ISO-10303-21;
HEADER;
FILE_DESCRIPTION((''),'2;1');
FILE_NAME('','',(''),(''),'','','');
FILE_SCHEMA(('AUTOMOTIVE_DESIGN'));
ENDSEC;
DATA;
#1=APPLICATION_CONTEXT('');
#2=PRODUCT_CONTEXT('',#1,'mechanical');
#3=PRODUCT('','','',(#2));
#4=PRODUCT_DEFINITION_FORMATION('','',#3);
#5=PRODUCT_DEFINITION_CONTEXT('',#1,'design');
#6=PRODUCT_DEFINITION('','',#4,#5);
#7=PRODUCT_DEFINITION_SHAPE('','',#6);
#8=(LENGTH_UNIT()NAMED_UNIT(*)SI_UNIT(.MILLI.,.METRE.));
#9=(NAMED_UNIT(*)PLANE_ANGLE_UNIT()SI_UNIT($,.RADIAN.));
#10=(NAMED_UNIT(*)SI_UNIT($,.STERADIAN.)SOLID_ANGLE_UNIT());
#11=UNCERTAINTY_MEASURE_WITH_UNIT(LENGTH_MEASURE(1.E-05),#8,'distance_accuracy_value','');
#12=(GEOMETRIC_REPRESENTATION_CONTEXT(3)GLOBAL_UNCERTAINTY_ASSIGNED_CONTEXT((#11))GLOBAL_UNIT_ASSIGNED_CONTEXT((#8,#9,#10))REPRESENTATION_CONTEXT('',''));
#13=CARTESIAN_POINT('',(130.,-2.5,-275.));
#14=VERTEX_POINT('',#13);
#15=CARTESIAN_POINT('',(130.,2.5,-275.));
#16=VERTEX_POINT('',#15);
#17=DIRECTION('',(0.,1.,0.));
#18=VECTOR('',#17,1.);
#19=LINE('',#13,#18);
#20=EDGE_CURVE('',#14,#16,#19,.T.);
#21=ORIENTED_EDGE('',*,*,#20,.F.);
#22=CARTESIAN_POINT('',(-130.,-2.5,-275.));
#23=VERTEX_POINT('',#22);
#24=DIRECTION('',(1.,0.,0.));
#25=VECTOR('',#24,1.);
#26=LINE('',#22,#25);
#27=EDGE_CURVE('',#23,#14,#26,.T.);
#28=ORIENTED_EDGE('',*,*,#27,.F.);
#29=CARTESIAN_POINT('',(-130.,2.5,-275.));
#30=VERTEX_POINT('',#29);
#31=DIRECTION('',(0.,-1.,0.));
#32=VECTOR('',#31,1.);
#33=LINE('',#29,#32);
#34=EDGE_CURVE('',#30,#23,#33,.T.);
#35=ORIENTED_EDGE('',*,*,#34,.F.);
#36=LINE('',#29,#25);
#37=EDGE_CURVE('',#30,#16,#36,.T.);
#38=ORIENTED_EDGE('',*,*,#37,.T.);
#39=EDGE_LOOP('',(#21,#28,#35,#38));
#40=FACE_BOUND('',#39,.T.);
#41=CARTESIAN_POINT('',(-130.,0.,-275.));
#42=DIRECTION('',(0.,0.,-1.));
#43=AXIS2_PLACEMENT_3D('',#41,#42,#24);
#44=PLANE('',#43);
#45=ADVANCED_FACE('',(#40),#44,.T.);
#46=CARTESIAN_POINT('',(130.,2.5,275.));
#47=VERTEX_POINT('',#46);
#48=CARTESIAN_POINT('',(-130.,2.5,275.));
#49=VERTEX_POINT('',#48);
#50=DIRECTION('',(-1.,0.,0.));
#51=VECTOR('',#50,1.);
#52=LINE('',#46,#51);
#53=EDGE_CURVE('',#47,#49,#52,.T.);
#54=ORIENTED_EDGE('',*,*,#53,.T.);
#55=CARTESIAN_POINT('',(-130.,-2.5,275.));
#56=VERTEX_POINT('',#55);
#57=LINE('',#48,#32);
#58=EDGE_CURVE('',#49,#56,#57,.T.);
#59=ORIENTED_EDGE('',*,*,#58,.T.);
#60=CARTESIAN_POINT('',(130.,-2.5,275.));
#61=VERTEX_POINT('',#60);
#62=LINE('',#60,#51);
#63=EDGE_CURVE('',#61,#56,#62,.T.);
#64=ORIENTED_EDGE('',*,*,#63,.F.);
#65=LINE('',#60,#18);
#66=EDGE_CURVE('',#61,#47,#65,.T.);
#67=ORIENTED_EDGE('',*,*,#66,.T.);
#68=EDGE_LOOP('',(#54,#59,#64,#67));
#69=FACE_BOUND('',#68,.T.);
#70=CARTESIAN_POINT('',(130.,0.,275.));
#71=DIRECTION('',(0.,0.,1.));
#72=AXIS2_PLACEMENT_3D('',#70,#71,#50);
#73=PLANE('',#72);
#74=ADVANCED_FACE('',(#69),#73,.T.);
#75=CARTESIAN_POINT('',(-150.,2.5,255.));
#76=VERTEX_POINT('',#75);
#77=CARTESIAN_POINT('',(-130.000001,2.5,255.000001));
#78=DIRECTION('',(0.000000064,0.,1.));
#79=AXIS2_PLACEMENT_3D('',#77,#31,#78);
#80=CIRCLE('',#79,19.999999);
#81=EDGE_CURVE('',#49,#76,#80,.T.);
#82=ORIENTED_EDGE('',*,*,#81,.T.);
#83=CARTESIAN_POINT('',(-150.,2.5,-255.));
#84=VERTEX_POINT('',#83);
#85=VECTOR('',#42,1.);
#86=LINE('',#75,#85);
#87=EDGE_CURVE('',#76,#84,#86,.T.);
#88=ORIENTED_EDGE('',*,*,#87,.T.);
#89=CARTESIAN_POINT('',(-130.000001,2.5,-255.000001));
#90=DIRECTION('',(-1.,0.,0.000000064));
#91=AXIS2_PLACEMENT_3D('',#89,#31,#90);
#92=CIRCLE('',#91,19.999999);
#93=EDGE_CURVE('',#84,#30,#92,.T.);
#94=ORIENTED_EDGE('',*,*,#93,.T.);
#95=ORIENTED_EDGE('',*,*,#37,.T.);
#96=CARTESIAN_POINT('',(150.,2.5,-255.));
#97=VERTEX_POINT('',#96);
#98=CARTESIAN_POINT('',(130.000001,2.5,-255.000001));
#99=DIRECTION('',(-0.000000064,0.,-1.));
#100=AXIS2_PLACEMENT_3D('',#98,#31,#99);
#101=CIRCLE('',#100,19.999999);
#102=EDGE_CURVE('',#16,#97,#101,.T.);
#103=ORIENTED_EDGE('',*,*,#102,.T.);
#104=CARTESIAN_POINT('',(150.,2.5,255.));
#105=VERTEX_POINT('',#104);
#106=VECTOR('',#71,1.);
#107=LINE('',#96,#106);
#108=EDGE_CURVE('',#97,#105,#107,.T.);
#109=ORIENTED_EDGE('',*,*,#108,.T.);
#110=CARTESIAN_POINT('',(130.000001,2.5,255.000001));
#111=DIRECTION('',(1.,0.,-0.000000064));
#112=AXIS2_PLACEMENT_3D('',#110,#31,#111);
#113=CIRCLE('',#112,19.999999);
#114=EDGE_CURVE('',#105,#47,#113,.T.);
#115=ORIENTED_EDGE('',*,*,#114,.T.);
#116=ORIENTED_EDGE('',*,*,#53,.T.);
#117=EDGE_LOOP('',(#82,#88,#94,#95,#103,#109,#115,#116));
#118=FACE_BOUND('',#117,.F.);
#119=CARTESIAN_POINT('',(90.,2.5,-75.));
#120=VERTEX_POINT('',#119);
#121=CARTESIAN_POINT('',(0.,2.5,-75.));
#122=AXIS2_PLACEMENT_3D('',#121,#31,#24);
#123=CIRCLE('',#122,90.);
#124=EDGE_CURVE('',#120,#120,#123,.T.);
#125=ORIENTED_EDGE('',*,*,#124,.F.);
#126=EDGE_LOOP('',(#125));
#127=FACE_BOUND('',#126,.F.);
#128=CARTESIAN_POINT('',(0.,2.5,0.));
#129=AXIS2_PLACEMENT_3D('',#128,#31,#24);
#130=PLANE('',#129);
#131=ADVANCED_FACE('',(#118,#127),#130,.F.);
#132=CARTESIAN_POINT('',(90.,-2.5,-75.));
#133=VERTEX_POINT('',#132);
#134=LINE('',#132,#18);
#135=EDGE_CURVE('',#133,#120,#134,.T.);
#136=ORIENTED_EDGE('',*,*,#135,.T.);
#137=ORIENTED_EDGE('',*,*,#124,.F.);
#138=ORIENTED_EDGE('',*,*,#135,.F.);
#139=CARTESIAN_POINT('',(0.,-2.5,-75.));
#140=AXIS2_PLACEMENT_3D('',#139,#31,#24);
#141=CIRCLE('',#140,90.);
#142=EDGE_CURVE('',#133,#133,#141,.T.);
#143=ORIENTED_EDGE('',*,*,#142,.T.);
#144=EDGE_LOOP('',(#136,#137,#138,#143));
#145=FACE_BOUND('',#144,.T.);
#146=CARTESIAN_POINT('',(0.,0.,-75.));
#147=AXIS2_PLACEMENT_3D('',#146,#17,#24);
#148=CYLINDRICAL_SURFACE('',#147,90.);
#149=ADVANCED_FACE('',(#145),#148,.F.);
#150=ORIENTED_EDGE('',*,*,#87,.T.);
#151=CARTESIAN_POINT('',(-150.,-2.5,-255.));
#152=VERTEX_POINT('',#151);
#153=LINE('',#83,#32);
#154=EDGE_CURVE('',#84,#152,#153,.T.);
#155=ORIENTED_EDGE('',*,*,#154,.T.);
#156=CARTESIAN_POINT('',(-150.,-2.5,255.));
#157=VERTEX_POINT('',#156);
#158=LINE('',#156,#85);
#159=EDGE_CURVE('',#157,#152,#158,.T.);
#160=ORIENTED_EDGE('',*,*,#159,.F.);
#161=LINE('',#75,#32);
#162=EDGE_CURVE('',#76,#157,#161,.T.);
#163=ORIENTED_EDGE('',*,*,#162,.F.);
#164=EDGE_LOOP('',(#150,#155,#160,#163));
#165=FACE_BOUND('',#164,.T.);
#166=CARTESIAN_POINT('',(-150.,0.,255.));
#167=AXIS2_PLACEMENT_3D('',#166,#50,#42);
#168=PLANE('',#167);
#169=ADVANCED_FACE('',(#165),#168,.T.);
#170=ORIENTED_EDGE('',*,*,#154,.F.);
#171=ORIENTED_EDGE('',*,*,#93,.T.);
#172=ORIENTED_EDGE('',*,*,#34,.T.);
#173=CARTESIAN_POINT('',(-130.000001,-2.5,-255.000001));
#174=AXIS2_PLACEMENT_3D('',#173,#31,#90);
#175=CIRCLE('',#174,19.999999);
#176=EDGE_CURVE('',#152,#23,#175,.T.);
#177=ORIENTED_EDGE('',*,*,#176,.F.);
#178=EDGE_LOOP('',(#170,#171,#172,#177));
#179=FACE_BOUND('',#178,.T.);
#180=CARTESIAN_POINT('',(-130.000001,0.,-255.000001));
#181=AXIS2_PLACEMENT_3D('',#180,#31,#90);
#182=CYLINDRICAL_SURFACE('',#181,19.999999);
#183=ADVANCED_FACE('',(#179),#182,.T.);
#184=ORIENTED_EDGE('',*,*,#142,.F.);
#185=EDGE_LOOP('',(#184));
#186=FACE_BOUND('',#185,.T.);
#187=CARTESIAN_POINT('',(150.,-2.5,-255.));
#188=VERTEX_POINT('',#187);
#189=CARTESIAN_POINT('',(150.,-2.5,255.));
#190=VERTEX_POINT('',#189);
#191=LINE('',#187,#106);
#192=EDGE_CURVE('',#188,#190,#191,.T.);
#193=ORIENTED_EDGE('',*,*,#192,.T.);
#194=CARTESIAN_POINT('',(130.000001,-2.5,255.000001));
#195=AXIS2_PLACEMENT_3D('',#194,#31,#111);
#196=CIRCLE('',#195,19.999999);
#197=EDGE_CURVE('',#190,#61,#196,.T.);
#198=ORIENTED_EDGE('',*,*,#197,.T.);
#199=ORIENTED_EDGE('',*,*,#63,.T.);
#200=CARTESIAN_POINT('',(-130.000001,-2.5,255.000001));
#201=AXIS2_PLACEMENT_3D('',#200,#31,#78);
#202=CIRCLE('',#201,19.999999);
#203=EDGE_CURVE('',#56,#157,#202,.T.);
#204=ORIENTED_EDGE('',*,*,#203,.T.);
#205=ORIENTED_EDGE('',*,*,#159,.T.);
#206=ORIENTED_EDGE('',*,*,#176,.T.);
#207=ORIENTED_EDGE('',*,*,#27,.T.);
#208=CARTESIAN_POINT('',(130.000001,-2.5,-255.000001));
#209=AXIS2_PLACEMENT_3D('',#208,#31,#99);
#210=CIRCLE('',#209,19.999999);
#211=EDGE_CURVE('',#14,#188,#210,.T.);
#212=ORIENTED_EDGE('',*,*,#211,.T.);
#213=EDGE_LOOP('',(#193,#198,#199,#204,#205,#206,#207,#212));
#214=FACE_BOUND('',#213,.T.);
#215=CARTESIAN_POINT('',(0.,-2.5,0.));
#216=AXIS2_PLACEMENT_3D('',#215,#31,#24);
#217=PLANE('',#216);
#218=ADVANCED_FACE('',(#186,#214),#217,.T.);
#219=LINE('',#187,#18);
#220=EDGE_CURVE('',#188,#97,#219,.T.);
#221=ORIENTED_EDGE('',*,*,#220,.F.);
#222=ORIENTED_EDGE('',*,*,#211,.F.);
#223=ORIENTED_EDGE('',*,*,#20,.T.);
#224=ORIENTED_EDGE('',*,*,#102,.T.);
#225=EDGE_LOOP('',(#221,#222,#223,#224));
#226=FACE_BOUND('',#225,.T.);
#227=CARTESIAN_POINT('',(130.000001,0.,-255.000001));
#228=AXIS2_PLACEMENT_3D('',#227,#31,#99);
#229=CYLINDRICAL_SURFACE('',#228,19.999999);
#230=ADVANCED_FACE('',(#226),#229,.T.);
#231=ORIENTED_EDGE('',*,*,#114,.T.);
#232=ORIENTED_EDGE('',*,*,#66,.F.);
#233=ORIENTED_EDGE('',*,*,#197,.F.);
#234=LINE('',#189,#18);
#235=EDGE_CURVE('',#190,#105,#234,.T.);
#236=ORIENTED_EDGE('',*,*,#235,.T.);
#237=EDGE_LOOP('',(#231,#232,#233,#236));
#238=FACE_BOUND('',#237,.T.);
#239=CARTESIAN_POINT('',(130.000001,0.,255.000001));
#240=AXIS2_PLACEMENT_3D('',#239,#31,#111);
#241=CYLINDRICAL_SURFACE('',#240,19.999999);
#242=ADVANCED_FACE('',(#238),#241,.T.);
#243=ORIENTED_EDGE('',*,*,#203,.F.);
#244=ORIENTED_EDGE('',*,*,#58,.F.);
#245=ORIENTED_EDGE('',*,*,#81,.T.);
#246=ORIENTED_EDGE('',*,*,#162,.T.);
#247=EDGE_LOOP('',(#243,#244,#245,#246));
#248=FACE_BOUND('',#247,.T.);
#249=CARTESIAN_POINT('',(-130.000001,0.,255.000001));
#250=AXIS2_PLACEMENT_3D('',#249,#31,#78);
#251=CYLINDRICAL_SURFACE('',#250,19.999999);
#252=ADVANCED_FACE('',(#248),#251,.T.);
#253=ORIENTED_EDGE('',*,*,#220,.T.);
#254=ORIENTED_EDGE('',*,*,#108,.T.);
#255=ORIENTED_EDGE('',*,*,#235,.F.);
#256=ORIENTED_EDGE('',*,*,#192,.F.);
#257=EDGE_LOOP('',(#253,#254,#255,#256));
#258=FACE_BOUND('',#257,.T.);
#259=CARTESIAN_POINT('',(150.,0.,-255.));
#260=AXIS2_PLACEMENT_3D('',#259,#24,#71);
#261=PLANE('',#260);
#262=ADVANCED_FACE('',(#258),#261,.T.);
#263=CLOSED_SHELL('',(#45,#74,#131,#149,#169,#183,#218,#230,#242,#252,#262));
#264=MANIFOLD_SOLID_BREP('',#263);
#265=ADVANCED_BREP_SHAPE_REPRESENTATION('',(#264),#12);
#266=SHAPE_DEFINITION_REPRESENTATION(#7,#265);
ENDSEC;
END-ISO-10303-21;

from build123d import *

# Parameters (mm, degrees)
F0_R     = 90
F1_DEPTH = 2.5


with BuildPart() as f1:
    # F0 (on Front) → F1 (new body, symmetric)
    with BuildSketch(Plane.XZ):
        with BuildLine():
            Line((130, 275), (-130, 275))
            ThreePointArc((-130, 275), (-144.142136, 269.142136), (-150, 255))
            Line((-150, 255), (-150, -255))
            ThreePointArc((-150, -255), (-144.142136, -269.142136), (-130, -275))
            Line((-130, -275), (130, -275))
            ThreePointArc((130, -275), (144.142136, -269.142136), (150, -255))
            Line((150, -255), (150, 255))
            ThreePointArc((150, 255), (144.142136, 269.142136), (130, 275))
        make_face()
        with Locations((0, -75)):
            Circle(F0_R, mode=Mode.SUBTRACT)
    extrude(amount=F1_DEPTH, both=True)


solid = f1.part
